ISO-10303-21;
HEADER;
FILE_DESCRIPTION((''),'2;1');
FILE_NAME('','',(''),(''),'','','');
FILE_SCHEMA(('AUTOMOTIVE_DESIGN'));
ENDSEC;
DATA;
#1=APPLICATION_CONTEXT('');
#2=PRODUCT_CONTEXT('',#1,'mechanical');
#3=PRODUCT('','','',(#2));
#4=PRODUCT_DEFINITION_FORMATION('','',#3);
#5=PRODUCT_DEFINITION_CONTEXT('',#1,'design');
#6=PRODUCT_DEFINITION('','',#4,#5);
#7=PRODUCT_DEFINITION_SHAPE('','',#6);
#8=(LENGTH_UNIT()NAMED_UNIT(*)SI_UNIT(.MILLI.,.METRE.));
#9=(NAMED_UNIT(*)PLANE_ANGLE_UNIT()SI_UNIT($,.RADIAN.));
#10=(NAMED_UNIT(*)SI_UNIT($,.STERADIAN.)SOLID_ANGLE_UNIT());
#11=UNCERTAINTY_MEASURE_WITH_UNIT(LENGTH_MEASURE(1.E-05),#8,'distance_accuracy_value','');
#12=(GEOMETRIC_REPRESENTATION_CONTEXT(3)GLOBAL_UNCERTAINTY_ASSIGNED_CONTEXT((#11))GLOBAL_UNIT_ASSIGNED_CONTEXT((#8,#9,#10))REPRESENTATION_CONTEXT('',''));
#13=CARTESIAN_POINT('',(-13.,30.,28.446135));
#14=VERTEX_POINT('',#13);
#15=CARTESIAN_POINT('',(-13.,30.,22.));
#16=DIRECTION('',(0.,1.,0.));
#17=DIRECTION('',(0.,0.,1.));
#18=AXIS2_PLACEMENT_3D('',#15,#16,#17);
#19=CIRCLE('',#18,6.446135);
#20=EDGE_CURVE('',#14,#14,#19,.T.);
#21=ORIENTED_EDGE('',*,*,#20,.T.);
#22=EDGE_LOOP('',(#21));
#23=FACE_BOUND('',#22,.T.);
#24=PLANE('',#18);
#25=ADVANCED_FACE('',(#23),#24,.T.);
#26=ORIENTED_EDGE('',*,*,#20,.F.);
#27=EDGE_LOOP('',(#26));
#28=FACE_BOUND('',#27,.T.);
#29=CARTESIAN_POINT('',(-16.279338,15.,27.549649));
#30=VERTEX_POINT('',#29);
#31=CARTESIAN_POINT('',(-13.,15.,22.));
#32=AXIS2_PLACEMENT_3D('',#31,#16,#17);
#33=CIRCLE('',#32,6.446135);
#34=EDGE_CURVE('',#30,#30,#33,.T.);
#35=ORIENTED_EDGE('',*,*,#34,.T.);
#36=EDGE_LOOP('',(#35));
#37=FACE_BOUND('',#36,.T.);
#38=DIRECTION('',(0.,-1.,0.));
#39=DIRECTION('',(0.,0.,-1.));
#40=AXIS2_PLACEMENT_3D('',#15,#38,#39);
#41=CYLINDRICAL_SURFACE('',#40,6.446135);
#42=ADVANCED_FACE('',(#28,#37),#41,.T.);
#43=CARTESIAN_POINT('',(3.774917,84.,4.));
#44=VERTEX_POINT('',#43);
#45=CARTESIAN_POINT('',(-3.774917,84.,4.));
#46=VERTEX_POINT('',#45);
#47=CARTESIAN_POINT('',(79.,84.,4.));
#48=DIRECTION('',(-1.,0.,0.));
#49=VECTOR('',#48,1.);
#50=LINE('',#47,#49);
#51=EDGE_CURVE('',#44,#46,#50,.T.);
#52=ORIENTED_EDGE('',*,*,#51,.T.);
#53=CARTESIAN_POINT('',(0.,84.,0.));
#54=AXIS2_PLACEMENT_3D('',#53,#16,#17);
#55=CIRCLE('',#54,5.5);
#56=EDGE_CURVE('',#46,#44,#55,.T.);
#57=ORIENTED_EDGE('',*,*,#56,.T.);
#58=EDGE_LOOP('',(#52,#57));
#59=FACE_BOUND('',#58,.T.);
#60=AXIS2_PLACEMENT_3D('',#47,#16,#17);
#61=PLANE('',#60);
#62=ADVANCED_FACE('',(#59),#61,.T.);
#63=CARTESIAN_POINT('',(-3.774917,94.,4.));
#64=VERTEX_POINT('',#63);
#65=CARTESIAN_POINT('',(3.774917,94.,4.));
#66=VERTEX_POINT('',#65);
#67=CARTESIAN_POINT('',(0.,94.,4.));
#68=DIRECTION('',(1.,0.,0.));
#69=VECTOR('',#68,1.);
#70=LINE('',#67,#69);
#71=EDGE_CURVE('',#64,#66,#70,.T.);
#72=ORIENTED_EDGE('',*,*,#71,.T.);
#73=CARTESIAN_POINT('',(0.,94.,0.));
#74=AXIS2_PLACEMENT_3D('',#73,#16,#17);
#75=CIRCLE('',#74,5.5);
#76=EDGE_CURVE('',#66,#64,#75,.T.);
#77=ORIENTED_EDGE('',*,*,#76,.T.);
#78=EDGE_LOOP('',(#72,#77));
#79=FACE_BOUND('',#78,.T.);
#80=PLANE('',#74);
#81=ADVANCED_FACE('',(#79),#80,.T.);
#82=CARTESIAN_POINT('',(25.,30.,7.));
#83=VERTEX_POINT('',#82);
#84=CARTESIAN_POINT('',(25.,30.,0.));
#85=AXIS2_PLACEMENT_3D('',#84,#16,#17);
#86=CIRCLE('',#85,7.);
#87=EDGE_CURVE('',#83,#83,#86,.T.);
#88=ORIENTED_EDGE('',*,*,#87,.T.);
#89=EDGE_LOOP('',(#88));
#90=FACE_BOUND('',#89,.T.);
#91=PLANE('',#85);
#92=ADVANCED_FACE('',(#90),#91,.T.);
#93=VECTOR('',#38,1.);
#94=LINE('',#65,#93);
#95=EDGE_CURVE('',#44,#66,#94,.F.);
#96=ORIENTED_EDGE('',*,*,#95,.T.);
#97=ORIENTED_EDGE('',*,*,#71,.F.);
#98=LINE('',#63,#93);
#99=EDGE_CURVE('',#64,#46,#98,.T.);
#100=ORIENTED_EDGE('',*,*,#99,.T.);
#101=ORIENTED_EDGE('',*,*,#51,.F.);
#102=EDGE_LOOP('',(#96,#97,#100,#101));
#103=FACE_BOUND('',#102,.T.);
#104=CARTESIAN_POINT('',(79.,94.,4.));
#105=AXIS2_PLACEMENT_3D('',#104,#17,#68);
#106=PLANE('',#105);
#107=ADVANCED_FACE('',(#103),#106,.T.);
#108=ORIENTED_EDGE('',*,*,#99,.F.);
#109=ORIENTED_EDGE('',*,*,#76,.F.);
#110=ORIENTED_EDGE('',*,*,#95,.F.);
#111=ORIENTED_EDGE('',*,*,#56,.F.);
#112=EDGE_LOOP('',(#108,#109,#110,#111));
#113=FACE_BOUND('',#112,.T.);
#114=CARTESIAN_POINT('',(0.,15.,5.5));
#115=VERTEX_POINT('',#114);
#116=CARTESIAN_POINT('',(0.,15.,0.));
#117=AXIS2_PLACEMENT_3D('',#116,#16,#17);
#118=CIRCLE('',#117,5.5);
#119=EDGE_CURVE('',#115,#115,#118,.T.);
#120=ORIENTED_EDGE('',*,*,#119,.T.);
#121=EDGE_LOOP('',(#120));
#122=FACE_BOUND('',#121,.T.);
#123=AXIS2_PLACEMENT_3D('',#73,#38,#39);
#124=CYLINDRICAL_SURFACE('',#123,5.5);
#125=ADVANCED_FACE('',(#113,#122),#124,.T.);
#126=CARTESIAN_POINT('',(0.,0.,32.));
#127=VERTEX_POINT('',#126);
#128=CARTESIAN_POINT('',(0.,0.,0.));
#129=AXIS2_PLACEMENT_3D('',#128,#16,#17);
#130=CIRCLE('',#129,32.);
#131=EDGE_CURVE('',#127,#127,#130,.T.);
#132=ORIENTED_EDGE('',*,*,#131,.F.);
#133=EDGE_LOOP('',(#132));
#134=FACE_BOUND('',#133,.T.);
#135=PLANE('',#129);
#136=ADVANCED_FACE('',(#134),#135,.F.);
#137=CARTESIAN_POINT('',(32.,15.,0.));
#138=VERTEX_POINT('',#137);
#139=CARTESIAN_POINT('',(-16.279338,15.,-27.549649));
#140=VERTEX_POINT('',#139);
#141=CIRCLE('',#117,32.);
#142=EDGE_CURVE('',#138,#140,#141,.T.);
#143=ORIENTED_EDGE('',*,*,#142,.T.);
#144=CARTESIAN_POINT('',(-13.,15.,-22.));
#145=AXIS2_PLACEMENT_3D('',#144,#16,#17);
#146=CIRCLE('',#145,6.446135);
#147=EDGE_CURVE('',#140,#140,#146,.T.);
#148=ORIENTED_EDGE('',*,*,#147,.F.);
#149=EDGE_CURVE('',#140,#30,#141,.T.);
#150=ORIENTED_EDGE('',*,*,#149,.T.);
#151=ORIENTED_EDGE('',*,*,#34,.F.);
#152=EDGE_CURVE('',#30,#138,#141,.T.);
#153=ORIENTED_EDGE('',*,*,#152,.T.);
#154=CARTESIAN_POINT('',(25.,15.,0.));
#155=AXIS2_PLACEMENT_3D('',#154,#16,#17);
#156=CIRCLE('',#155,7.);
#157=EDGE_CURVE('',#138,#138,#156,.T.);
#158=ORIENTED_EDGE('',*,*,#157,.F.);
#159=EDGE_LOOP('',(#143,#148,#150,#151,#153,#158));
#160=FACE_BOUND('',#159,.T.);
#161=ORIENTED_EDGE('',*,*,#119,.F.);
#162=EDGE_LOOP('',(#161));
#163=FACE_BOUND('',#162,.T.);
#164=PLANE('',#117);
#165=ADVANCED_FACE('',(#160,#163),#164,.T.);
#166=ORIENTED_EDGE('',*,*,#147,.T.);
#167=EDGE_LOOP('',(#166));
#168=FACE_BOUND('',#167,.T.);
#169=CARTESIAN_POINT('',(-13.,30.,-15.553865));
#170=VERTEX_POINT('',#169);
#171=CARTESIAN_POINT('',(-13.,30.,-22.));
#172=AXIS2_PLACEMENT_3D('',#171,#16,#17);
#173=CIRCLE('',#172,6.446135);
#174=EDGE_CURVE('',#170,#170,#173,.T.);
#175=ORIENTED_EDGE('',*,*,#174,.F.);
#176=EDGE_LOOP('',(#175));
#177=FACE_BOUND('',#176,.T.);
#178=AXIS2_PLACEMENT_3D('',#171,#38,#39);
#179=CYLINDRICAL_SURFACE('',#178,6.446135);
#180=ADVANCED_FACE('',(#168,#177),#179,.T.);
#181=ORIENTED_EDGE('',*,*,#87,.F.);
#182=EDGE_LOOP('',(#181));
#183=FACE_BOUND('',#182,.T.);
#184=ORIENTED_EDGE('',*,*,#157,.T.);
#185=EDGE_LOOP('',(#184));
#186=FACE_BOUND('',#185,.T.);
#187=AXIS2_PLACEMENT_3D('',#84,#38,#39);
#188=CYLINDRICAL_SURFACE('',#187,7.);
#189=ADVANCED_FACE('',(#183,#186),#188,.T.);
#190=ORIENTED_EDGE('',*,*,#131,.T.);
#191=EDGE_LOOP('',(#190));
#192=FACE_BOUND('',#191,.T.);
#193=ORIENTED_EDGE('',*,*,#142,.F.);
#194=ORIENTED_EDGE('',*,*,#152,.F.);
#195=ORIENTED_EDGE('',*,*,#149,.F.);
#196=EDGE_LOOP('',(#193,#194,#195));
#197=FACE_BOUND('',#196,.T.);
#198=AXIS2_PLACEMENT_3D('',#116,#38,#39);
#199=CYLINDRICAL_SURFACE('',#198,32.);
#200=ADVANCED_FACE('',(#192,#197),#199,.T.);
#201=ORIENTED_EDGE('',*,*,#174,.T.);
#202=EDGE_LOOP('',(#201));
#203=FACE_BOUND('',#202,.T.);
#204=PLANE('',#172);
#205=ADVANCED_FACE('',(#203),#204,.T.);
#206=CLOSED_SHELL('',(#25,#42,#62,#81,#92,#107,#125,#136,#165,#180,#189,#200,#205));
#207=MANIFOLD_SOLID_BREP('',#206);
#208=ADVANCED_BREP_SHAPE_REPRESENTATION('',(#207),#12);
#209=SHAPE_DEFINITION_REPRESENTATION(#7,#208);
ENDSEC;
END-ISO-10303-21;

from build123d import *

# Parameters (mm, degrees)
SKETCH1_R               = 32
BOSS_EXTRUDE1_DEPTH     = 15
SKETCH2_R               = 7
SKETCH2_R_2             = 6.446135322
BOSS_EXTRUDE2_DEPTH     = 15
SKETCH3_R               = 5.5
BOSS_EXTRUDE3_DEPTH     = 79
CUT_EXTRUDE1_DEPTH      = 79
CUT_EXTRUDE1_DEPTH_BACK = 79


with BuildPart() as part:
    # Sketch1 → Boss-Extrude1 (new body)
    with BuildSketch(Plane(origin=(0, 0, 0), x_dir=(1, 0, 0), z_dir=(0, 1, 0))):
        Circle(SKETCH1_R)
    extrude(amount=BOSS_EXTRUDE1_DEPTH)

    # Sketch2 → Boss-Extrude2 (add)
    with BuildSketch(Plane(origin=(0, 15, 0), x_dir=(1, 0, 0), z_dir=(0, 1, 0))):
        with Locations((25, 0)):
            Circle(SKETCH2_R)
        with Locations((-13, 22)):
            Circle(SKETCH2_R_2)
        with Locations((-13, -22)):
            Circle(SKETCH2_R_2)
    extrude(amount=BOSS_EXTRUDE2_DEPTH)

    # Sketch3 → Boss-Extrude3 (add)
    with BuildSketch(Plane(origin=(0, 15, 0), x_dir=(1, 0, 0), z_dir=(0, 1, 0))):
        Circle(SKETCH3_R)
    extrude(amount=BOSS_EXTRUDE3_DEPTH)

    # Sketch4 → Cut-Extrude1 (cut, two sides: drawn at the far end of the back side and taken through both)
    with BuildSketch(Plane(origin=(0, 0, 0), x_dir=(0, 0, -1), z_dir=(1, 0, 0)).offset(-CUT_EXTRUDE1_DEPTH_BACK)):
        Polygon((-4.5, 84), (-8.757640736, 84), (-8.757640736, 94), (-4.5, 94), (-4, 94), (-4, 84), align=None)
    extrude(amount=CUT_EXTRUDE1_DEPTH + CUT_EXTRUDE1_DEPTH_BACK, mode=Mode.SUBTRACT)


solid = part.part
